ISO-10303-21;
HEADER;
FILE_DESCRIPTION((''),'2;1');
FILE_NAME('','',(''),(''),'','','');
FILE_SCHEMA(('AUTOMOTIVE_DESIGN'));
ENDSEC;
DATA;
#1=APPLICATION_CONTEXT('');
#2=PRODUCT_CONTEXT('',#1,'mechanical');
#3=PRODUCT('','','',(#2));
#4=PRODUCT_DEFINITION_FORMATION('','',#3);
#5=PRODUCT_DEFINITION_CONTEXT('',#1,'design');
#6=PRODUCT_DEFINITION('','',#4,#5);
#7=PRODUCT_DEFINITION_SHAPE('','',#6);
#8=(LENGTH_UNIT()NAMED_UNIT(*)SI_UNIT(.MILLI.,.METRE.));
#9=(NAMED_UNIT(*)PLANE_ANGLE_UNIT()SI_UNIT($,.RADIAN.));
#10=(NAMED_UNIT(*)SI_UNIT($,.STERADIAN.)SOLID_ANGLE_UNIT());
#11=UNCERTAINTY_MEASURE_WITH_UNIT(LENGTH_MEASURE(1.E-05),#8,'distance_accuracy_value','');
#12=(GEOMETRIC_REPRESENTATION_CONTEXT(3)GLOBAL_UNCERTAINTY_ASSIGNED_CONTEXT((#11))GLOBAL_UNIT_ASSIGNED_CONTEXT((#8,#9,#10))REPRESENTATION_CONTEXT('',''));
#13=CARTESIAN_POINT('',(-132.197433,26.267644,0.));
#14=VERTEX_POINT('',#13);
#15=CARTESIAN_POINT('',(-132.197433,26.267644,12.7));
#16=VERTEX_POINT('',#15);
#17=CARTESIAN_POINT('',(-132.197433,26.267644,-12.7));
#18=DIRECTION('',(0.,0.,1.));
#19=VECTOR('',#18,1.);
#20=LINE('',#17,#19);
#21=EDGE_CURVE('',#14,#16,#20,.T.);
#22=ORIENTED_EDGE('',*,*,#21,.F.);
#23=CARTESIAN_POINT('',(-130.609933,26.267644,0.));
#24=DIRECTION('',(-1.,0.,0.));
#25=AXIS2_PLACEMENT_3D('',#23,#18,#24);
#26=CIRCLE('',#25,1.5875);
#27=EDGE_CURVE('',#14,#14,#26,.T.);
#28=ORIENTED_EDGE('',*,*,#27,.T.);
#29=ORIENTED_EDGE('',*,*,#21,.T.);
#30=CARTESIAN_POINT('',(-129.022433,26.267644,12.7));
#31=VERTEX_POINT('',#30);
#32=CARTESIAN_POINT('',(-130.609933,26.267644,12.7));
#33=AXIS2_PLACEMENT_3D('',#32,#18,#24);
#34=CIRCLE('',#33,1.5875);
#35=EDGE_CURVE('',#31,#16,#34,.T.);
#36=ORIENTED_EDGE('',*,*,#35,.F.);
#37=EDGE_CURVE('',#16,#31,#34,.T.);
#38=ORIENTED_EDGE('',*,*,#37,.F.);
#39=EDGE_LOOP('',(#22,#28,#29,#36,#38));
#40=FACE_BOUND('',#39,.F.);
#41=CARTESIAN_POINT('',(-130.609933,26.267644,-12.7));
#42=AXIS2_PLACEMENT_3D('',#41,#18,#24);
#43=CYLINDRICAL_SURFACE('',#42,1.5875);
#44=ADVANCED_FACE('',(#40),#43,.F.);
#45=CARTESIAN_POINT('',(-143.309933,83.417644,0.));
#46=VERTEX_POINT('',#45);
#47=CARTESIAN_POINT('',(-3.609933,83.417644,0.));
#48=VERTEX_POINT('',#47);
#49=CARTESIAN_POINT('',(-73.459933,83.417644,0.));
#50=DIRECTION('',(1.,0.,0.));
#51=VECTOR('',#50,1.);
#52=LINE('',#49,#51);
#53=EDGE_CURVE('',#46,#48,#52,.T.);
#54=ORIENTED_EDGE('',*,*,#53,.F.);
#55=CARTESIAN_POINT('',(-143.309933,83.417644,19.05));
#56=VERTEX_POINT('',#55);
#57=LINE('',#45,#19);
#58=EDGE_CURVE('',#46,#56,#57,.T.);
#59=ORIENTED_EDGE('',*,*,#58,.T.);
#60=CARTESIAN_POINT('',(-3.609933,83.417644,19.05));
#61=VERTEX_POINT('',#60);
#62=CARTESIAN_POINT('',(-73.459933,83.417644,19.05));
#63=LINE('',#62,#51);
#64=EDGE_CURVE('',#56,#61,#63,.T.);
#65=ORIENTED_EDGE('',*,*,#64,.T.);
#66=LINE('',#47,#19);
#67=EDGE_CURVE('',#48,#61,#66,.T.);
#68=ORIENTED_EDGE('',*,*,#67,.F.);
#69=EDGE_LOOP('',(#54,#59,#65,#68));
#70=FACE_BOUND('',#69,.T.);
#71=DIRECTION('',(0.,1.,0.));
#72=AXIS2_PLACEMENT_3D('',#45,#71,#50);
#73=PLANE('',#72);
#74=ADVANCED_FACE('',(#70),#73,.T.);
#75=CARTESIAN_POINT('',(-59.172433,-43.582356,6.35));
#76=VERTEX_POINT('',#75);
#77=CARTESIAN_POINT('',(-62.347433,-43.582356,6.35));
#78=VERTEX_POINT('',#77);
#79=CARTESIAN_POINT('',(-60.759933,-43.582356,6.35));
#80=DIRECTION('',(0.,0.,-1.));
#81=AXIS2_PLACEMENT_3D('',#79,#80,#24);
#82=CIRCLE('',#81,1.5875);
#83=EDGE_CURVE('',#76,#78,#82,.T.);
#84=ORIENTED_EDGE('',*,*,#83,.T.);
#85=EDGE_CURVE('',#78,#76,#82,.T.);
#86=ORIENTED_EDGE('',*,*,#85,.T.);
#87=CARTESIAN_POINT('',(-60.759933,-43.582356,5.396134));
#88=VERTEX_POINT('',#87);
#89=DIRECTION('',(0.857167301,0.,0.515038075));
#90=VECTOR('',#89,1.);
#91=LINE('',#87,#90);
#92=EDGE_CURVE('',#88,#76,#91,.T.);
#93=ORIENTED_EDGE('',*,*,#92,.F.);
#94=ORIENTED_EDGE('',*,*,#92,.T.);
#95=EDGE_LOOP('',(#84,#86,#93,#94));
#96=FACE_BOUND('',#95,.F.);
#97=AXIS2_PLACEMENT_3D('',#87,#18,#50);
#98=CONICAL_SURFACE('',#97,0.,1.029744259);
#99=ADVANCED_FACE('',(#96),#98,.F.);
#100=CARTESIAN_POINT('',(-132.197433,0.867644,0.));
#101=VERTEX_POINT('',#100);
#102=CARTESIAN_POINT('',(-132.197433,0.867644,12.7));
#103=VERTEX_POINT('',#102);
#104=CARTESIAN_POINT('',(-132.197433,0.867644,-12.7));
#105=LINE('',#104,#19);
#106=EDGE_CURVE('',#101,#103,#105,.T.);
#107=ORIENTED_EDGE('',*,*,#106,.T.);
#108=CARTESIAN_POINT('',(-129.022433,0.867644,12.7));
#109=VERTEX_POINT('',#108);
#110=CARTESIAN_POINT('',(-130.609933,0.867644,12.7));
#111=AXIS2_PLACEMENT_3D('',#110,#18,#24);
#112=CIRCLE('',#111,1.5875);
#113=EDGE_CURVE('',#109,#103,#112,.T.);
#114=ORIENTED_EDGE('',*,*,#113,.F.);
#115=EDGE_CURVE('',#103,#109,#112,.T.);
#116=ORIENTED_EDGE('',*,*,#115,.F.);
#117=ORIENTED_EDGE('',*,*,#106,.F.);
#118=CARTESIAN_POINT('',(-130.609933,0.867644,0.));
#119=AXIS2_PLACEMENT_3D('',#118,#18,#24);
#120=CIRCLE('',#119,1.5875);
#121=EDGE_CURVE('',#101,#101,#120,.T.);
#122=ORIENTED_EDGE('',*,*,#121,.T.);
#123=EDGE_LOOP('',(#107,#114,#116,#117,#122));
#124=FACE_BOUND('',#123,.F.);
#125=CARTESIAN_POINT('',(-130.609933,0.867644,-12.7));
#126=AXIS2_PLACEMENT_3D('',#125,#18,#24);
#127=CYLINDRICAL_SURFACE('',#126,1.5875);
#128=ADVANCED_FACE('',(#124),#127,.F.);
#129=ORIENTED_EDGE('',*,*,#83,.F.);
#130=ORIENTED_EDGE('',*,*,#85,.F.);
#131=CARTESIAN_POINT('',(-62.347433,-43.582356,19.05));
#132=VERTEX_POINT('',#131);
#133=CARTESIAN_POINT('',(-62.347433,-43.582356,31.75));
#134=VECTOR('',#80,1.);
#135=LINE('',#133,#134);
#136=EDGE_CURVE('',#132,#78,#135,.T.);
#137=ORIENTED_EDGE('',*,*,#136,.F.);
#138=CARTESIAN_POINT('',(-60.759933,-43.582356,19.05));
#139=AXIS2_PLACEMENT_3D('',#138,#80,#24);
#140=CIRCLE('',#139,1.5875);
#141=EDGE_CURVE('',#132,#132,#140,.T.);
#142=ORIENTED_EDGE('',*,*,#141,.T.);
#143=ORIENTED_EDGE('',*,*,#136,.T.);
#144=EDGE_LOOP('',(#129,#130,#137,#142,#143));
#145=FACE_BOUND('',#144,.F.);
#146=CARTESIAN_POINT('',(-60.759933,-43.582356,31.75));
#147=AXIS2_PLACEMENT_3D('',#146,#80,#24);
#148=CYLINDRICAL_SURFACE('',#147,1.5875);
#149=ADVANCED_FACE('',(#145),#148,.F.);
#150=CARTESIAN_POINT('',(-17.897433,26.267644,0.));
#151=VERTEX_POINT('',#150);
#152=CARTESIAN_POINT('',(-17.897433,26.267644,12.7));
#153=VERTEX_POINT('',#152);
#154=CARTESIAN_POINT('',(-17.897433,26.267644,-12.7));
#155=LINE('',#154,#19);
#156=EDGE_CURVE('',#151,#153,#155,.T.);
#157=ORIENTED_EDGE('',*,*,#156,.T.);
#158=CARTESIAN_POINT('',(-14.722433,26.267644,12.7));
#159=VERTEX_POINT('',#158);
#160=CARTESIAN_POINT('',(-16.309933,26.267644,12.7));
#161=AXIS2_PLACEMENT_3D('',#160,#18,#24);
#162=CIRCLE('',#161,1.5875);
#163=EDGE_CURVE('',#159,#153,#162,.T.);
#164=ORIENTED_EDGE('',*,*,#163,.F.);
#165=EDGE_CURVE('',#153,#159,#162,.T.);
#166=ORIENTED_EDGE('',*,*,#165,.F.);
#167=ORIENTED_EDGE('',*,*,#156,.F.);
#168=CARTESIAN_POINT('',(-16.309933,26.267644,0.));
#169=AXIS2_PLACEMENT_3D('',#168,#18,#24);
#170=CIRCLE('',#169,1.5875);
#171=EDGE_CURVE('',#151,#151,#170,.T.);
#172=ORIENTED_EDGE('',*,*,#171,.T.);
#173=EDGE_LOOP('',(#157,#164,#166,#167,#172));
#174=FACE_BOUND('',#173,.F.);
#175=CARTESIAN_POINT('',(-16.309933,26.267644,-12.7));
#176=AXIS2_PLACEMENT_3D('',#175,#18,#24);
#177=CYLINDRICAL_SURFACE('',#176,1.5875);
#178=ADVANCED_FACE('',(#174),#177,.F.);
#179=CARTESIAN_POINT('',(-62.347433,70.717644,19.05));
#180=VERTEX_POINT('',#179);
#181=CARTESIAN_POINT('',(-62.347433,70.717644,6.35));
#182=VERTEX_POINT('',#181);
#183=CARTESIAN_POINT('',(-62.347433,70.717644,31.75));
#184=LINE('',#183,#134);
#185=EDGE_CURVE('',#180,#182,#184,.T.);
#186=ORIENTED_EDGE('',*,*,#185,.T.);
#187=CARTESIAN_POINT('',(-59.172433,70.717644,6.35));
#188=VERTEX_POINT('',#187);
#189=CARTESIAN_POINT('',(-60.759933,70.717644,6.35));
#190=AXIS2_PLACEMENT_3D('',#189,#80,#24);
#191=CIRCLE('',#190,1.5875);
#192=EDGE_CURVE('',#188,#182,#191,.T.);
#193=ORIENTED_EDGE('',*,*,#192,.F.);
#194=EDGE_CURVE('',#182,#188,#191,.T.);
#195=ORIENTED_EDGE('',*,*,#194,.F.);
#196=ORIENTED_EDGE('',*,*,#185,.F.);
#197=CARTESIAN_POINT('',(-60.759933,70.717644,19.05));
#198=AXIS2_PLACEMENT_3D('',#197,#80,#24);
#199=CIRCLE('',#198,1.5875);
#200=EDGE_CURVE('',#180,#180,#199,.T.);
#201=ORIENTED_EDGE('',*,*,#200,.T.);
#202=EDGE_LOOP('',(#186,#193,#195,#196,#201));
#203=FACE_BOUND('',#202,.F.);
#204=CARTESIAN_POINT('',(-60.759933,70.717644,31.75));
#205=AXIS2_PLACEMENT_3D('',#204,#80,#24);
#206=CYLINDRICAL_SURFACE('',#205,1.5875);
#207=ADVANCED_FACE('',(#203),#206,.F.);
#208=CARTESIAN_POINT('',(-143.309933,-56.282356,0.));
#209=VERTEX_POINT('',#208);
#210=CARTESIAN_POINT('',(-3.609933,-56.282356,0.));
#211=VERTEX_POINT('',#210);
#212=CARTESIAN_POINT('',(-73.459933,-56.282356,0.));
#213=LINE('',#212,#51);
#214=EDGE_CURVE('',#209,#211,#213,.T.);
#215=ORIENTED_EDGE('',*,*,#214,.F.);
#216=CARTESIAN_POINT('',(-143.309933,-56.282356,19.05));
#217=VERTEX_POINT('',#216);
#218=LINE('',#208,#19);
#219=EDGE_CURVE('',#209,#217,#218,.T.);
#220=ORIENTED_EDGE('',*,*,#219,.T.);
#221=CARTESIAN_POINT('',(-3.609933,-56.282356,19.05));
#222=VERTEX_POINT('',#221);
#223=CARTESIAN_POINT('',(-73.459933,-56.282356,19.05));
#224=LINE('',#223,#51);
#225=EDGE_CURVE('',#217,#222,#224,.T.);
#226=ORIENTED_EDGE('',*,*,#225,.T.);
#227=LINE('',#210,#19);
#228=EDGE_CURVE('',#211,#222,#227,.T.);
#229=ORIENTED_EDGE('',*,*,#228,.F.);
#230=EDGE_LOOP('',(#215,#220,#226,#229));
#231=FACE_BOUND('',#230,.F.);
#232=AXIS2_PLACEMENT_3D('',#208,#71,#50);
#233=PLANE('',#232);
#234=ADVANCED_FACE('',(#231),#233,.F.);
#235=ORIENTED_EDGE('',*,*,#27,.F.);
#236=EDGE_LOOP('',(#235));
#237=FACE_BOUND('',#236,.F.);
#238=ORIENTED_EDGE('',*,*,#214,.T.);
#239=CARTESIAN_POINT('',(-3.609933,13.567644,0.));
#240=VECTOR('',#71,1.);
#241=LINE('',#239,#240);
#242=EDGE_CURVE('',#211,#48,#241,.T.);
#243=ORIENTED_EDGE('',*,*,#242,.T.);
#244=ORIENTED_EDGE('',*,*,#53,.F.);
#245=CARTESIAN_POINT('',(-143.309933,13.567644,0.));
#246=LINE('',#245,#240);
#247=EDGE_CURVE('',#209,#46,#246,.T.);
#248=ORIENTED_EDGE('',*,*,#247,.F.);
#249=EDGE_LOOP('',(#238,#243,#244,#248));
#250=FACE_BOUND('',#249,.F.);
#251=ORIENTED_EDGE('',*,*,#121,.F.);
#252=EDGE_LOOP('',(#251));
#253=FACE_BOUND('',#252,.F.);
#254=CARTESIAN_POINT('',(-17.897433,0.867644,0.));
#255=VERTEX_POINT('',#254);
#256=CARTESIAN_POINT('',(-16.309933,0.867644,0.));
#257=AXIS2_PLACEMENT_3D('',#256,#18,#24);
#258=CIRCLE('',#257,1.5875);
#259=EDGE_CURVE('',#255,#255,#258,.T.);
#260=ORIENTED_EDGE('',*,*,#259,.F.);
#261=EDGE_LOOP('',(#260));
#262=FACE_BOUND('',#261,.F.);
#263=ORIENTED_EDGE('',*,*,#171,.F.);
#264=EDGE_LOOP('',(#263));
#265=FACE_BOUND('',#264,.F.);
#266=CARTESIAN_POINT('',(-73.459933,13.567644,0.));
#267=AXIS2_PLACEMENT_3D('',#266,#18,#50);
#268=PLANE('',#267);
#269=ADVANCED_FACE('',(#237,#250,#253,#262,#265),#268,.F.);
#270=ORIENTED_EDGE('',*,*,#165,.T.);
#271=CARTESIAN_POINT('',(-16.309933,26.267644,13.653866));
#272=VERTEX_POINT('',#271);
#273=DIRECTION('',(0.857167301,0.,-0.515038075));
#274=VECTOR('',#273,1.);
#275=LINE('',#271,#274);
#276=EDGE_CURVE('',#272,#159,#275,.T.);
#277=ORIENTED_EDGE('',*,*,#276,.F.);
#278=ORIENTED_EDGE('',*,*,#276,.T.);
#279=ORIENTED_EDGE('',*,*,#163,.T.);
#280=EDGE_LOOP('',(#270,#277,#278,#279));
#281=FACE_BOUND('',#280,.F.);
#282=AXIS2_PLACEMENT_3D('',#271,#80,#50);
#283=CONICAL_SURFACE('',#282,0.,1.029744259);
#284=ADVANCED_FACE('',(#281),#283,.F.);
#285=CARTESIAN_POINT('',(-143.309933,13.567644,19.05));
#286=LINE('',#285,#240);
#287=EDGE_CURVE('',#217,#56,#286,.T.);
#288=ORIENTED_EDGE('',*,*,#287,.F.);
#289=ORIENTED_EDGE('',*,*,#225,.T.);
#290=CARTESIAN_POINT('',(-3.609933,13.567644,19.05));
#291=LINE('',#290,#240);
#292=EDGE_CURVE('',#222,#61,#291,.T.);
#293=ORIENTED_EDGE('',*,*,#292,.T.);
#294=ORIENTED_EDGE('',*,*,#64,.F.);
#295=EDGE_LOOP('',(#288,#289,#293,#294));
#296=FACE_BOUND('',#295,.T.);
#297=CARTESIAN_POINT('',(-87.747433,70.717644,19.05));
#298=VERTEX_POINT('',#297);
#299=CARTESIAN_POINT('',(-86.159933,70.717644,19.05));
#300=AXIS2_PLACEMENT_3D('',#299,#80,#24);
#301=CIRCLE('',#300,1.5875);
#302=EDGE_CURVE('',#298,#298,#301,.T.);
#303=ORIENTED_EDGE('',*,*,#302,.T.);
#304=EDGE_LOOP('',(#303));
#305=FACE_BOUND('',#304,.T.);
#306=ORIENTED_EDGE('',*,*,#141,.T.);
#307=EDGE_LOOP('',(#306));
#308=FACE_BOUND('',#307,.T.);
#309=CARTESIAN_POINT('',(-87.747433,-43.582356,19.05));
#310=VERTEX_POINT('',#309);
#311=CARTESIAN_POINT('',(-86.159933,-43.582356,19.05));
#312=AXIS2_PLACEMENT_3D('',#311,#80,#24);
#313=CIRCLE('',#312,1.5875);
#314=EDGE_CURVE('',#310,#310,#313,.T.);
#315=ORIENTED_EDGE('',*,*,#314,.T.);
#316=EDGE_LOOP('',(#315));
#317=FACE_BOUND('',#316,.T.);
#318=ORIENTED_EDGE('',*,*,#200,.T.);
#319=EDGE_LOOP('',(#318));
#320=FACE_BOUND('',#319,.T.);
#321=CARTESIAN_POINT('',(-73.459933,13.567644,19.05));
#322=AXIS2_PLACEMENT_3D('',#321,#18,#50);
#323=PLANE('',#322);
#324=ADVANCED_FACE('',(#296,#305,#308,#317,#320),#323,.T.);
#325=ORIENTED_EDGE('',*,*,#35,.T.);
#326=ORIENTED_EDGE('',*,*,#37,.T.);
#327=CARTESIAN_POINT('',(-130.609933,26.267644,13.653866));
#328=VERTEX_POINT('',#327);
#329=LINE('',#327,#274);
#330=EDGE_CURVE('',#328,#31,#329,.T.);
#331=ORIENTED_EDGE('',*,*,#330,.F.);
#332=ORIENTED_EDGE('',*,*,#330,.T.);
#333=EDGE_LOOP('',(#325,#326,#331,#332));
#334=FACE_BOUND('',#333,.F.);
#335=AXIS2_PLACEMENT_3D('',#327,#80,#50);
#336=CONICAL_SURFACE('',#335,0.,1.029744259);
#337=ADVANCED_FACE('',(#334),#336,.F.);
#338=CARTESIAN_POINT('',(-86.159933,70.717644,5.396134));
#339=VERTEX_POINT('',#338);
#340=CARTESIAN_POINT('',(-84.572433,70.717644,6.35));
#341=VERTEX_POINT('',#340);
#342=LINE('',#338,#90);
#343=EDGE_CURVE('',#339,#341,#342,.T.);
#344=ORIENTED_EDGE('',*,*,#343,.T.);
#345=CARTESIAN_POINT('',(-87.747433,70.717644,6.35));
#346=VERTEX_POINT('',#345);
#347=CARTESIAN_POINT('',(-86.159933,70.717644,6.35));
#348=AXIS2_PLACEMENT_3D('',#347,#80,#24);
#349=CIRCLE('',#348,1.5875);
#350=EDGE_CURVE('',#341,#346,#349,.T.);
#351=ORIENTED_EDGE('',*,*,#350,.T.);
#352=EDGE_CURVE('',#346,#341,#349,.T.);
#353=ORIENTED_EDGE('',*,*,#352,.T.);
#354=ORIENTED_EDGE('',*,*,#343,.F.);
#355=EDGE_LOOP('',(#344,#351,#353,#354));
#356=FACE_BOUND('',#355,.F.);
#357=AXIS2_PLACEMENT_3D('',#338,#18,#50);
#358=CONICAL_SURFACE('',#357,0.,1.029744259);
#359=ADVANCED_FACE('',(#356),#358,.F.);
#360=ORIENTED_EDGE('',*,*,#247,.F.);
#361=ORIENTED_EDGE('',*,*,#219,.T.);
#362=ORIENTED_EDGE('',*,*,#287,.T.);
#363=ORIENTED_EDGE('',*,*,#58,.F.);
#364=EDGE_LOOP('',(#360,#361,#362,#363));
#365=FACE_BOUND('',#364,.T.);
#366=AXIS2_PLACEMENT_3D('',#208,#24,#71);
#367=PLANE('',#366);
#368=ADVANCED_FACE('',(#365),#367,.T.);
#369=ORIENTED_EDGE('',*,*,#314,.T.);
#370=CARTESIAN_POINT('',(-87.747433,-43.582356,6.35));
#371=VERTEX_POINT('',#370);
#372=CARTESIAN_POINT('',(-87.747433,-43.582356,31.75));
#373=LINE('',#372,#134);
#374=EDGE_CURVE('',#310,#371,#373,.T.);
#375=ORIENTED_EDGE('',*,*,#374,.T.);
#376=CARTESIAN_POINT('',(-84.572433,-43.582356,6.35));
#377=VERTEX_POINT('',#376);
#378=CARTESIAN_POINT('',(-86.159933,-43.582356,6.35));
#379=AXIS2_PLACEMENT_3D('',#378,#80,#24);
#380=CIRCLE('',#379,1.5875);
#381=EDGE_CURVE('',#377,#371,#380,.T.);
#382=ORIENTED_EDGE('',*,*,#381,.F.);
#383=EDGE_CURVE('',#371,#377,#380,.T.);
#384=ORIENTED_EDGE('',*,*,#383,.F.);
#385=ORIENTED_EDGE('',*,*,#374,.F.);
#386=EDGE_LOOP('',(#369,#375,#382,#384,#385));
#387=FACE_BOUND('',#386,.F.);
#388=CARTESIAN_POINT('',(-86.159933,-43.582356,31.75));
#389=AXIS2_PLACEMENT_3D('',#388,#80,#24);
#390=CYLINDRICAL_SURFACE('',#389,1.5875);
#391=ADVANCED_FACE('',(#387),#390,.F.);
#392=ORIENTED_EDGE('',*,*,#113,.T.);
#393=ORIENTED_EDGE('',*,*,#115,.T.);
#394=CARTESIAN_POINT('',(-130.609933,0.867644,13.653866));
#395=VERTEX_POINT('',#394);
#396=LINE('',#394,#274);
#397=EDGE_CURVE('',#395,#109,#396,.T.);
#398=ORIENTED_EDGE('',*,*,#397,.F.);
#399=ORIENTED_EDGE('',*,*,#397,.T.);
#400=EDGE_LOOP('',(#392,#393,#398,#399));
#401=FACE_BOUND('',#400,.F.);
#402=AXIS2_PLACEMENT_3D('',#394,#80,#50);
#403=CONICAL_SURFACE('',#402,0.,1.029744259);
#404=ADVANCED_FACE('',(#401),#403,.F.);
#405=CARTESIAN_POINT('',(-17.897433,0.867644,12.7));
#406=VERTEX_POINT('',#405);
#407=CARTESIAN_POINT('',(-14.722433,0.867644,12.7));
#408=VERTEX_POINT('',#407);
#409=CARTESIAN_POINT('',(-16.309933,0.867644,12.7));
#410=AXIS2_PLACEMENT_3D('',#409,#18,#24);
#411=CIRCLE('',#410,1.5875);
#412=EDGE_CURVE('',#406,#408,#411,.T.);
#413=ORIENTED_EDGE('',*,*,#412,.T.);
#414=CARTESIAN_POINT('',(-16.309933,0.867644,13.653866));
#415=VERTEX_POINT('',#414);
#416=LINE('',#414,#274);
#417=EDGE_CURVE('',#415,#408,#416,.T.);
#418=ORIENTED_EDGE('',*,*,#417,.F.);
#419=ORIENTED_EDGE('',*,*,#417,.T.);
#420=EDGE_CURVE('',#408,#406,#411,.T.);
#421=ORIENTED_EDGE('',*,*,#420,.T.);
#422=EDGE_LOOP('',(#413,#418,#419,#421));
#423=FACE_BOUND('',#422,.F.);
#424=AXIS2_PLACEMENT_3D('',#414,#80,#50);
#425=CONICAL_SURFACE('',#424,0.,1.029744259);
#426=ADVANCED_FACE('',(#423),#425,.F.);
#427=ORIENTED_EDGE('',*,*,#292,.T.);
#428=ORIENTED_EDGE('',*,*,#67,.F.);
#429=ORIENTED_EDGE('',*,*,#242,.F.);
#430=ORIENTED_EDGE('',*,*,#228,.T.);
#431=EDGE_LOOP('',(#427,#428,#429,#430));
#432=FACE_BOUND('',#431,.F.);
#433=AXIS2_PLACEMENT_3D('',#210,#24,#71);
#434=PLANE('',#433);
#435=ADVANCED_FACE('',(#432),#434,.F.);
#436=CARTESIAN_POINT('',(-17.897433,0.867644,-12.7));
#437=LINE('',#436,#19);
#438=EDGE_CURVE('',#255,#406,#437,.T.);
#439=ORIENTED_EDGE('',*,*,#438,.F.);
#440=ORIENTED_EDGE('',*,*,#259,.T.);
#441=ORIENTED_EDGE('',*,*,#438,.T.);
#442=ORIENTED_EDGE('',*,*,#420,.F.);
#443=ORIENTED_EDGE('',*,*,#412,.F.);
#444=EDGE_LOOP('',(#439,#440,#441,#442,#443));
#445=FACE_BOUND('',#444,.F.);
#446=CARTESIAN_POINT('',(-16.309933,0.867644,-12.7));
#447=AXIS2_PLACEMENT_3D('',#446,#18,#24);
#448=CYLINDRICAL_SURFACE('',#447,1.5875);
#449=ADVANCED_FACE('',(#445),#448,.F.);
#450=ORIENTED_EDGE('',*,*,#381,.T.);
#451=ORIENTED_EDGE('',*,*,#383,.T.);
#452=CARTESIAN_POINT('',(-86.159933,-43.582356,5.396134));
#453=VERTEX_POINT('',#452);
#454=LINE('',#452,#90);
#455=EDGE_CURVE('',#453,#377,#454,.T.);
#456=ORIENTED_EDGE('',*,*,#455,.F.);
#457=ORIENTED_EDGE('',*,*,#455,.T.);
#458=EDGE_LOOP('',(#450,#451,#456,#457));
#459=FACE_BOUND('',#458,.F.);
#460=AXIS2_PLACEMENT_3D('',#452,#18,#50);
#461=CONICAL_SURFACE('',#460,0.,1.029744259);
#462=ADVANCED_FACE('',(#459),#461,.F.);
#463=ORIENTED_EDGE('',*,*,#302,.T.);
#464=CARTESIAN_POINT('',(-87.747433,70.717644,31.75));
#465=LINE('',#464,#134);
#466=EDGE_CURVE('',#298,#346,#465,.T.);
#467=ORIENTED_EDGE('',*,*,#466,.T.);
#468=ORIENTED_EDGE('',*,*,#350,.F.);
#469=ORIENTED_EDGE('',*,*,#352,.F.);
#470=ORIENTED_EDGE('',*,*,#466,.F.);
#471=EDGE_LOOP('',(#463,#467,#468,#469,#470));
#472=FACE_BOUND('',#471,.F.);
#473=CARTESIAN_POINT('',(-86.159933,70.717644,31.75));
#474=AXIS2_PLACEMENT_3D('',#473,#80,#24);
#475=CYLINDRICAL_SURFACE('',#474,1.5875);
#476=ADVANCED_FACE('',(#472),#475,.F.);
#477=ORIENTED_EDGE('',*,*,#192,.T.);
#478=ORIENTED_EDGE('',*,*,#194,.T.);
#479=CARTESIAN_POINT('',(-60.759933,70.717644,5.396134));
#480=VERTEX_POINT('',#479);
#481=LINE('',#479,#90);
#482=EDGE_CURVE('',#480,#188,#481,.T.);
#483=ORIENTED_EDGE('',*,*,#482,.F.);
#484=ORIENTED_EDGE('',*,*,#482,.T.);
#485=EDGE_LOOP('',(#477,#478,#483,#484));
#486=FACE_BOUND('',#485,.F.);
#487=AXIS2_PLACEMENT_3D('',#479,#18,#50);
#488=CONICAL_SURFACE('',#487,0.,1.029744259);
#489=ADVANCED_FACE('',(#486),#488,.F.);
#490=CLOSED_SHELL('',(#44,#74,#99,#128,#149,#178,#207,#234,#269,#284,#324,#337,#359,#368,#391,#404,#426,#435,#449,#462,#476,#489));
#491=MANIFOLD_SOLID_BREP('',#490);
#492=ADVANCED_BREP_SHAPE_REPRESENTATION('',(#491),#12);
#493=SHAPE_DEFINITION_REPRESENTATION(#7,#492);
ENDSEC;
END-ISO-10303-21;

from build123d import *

# Parameters (mm, degrees)
F0_W     = 139.7
F0_H     = 139.7
F1_DEPTH = 19.05
F3_D     = 3.175
F3_DEPTH = 12.7
F3_TIP   = 0.9538662327
F5_D     = 3.175
F5_DEPTH = 12.7
F5_TIP   = 0.9538662327


with BuildPart() as f1:
    # F0 (on Top) → F1 (new body)
    with BuildSketch(Plane.XY):
        with Locations((-73.4599325806, 13.567644133)):
            Rectangle(F0_W, F0_H)
    extrude(amount=F1_DEPTH)

    # F3
    with Locations(Plane.XY.offset(19.05)):
        with Locations((-86.1599325806, 70.717644133), (-60.7599325806, 70.717644133), (-60.7599325806, -43.582355867), (-86.1599325806, -43.582355867)):
            Hole(F3_D / 2, depth=F3_DEPTH)
            with Locations((0, 0, -(F3_DEPTH + F3_TIP / 2))):  # 118° drill point
                Cone(0, F3_D / 2, F3_TIP, mode=Mode.SUBTRACT)

    # F5
    with Locations(Plane(origin=(0, 0, 0), x_dir=(1, 0, 0), z_dir=(0, 0, -1))):
        with Locations((-130.6099325806, -26.267644133), (-130.6099325806, -0.867644133), (-16.3099325806, -26.267644133), (-16.3099325806, -0.867644133)):
            Hole(F5_D / 2, depth=F5_DEPTH)
            with Locations((0, 0, -(F5_DEPTH + F5_TIP / 2))):  # 118° drill point
                Cone(0, F5_D / 2, F5_TIP, mode=Mode.SUBTRACT)


solid = f1.part
